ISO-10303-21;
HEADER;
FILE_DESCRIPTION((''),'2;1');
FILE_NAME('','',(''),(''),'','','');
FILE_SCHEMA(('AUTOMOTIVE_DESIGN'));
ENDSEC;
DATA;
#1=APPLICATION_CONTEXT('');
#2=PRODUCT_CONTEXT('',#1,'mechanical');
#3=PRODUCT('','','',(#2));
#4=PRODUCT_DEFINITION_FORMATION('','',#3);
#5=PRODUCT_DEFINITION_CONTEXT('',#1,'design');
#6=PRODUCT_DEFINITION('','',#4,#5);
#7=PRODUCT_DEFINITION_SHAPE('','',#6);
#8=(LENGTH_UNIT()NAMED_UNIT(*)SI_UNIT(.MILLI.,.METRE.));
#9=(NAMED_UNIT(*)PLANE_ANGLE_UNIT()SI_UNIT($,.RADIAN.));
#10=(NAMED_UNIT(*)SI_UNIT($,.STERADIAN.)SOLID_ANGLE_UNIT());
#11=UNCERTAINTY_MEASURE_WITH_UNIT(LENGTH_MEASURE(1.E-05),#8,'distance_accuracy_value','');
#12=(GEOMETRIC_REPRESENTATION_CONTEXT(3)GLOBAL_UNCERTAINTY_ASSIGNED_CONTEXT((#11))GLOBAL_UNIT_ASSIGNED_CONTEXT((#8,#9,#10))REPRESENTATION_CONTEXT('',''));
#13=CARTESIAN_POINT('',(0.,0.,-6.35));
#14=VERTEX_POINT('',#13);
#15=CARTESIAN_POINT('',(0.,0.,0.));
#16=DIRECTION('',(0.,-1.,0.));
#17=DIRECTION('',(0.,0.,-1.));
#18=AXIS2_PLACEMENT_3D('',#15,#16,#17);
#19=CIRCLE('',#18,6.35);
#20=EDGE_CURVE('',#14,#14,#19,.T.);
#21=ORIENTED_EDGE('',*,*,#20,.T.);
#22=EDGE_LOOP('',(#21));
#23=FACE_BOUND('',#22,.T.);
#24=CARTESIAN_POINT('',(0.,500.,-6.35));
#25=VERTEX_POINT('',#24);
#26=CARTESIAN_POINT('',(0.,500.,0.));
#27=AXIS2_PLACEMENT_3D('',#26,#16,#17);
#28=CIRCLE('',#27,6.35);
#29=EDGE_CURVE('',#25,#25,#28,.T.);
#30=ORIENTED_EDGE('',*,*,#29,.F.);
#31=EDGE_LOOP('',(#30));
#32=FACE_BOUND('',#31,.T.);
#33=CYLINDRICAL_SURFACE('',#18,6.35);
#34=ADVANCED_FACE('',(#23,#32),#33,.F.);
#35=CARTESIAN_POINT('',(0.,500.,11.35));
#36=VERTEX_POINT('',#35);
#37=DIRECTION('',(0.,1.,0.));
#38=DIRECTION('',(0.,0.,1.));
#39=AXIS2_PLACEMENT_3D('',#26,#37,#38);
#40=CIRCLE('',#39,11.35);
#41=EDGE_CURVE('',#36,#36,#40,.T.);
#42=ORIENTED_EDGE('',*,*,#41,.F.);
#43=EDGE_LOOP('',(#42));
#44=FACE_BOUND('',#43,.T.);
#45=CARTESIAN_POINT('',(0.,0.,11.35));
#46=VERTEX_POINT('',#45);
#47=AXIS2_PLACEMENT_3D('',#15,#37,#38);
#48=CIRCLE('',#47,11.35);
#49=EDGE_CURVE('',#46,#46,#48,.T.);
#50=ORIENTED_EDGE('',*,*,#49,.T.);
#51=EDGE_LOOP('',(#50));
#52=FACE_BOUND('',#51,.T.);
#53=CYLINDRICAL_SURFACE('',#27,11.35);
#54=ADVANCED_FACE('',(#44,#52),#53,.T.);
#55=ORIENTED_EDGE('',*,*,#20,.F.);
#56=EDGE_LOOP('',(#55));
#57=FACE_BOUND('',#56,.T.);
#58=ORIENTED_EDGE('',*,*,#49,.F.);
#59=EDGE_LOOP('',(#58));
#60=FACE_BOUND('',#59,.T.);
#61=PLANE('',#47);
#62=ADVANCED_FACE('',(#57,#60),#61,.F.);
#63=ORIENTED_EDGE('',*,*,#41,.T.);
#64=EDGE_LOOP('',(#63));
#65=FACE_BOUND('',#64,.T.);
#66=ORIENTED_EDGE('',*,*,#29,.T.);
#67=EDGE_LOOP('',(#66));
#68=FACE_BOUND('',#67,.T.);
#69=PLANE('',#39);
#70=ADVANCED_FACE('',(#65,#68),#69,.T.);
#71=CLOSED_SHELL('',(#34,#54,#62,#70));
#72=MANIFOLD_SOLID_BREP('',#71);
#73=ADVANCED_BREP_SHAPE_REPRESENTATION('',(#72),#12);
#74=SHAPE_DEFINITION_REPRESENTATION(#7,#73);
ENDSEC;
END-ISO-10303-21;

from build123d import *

# Parameters (mm, degrees)
SKETCH2_R           = 11.35
BOSS_EXTRUDE1_DEPTH = 500
HOLE2_D             = 12.7


with BuildPart() as part:
    # Sketch2 → Boss-Extrude1 (new body)
    with BuildSketch(Plane(origin=(0, 0, 0), x_dir=(1, 0, 0), z_dir=(0, 1, 0))):
        Circle(SKETCH2_R)
    extrude(amount=BOSS_EXTRUDE1_DEPTH)

    # Hole2 (through all)
    with Locations(Plane(origin=(0, 0, 0), x_dir=(-1, 0, 0), z_dir=(0, -1, 0))):
        with Locations((0, 0)):
            Hole(HOLE2_D / 2)


solid = part.part
